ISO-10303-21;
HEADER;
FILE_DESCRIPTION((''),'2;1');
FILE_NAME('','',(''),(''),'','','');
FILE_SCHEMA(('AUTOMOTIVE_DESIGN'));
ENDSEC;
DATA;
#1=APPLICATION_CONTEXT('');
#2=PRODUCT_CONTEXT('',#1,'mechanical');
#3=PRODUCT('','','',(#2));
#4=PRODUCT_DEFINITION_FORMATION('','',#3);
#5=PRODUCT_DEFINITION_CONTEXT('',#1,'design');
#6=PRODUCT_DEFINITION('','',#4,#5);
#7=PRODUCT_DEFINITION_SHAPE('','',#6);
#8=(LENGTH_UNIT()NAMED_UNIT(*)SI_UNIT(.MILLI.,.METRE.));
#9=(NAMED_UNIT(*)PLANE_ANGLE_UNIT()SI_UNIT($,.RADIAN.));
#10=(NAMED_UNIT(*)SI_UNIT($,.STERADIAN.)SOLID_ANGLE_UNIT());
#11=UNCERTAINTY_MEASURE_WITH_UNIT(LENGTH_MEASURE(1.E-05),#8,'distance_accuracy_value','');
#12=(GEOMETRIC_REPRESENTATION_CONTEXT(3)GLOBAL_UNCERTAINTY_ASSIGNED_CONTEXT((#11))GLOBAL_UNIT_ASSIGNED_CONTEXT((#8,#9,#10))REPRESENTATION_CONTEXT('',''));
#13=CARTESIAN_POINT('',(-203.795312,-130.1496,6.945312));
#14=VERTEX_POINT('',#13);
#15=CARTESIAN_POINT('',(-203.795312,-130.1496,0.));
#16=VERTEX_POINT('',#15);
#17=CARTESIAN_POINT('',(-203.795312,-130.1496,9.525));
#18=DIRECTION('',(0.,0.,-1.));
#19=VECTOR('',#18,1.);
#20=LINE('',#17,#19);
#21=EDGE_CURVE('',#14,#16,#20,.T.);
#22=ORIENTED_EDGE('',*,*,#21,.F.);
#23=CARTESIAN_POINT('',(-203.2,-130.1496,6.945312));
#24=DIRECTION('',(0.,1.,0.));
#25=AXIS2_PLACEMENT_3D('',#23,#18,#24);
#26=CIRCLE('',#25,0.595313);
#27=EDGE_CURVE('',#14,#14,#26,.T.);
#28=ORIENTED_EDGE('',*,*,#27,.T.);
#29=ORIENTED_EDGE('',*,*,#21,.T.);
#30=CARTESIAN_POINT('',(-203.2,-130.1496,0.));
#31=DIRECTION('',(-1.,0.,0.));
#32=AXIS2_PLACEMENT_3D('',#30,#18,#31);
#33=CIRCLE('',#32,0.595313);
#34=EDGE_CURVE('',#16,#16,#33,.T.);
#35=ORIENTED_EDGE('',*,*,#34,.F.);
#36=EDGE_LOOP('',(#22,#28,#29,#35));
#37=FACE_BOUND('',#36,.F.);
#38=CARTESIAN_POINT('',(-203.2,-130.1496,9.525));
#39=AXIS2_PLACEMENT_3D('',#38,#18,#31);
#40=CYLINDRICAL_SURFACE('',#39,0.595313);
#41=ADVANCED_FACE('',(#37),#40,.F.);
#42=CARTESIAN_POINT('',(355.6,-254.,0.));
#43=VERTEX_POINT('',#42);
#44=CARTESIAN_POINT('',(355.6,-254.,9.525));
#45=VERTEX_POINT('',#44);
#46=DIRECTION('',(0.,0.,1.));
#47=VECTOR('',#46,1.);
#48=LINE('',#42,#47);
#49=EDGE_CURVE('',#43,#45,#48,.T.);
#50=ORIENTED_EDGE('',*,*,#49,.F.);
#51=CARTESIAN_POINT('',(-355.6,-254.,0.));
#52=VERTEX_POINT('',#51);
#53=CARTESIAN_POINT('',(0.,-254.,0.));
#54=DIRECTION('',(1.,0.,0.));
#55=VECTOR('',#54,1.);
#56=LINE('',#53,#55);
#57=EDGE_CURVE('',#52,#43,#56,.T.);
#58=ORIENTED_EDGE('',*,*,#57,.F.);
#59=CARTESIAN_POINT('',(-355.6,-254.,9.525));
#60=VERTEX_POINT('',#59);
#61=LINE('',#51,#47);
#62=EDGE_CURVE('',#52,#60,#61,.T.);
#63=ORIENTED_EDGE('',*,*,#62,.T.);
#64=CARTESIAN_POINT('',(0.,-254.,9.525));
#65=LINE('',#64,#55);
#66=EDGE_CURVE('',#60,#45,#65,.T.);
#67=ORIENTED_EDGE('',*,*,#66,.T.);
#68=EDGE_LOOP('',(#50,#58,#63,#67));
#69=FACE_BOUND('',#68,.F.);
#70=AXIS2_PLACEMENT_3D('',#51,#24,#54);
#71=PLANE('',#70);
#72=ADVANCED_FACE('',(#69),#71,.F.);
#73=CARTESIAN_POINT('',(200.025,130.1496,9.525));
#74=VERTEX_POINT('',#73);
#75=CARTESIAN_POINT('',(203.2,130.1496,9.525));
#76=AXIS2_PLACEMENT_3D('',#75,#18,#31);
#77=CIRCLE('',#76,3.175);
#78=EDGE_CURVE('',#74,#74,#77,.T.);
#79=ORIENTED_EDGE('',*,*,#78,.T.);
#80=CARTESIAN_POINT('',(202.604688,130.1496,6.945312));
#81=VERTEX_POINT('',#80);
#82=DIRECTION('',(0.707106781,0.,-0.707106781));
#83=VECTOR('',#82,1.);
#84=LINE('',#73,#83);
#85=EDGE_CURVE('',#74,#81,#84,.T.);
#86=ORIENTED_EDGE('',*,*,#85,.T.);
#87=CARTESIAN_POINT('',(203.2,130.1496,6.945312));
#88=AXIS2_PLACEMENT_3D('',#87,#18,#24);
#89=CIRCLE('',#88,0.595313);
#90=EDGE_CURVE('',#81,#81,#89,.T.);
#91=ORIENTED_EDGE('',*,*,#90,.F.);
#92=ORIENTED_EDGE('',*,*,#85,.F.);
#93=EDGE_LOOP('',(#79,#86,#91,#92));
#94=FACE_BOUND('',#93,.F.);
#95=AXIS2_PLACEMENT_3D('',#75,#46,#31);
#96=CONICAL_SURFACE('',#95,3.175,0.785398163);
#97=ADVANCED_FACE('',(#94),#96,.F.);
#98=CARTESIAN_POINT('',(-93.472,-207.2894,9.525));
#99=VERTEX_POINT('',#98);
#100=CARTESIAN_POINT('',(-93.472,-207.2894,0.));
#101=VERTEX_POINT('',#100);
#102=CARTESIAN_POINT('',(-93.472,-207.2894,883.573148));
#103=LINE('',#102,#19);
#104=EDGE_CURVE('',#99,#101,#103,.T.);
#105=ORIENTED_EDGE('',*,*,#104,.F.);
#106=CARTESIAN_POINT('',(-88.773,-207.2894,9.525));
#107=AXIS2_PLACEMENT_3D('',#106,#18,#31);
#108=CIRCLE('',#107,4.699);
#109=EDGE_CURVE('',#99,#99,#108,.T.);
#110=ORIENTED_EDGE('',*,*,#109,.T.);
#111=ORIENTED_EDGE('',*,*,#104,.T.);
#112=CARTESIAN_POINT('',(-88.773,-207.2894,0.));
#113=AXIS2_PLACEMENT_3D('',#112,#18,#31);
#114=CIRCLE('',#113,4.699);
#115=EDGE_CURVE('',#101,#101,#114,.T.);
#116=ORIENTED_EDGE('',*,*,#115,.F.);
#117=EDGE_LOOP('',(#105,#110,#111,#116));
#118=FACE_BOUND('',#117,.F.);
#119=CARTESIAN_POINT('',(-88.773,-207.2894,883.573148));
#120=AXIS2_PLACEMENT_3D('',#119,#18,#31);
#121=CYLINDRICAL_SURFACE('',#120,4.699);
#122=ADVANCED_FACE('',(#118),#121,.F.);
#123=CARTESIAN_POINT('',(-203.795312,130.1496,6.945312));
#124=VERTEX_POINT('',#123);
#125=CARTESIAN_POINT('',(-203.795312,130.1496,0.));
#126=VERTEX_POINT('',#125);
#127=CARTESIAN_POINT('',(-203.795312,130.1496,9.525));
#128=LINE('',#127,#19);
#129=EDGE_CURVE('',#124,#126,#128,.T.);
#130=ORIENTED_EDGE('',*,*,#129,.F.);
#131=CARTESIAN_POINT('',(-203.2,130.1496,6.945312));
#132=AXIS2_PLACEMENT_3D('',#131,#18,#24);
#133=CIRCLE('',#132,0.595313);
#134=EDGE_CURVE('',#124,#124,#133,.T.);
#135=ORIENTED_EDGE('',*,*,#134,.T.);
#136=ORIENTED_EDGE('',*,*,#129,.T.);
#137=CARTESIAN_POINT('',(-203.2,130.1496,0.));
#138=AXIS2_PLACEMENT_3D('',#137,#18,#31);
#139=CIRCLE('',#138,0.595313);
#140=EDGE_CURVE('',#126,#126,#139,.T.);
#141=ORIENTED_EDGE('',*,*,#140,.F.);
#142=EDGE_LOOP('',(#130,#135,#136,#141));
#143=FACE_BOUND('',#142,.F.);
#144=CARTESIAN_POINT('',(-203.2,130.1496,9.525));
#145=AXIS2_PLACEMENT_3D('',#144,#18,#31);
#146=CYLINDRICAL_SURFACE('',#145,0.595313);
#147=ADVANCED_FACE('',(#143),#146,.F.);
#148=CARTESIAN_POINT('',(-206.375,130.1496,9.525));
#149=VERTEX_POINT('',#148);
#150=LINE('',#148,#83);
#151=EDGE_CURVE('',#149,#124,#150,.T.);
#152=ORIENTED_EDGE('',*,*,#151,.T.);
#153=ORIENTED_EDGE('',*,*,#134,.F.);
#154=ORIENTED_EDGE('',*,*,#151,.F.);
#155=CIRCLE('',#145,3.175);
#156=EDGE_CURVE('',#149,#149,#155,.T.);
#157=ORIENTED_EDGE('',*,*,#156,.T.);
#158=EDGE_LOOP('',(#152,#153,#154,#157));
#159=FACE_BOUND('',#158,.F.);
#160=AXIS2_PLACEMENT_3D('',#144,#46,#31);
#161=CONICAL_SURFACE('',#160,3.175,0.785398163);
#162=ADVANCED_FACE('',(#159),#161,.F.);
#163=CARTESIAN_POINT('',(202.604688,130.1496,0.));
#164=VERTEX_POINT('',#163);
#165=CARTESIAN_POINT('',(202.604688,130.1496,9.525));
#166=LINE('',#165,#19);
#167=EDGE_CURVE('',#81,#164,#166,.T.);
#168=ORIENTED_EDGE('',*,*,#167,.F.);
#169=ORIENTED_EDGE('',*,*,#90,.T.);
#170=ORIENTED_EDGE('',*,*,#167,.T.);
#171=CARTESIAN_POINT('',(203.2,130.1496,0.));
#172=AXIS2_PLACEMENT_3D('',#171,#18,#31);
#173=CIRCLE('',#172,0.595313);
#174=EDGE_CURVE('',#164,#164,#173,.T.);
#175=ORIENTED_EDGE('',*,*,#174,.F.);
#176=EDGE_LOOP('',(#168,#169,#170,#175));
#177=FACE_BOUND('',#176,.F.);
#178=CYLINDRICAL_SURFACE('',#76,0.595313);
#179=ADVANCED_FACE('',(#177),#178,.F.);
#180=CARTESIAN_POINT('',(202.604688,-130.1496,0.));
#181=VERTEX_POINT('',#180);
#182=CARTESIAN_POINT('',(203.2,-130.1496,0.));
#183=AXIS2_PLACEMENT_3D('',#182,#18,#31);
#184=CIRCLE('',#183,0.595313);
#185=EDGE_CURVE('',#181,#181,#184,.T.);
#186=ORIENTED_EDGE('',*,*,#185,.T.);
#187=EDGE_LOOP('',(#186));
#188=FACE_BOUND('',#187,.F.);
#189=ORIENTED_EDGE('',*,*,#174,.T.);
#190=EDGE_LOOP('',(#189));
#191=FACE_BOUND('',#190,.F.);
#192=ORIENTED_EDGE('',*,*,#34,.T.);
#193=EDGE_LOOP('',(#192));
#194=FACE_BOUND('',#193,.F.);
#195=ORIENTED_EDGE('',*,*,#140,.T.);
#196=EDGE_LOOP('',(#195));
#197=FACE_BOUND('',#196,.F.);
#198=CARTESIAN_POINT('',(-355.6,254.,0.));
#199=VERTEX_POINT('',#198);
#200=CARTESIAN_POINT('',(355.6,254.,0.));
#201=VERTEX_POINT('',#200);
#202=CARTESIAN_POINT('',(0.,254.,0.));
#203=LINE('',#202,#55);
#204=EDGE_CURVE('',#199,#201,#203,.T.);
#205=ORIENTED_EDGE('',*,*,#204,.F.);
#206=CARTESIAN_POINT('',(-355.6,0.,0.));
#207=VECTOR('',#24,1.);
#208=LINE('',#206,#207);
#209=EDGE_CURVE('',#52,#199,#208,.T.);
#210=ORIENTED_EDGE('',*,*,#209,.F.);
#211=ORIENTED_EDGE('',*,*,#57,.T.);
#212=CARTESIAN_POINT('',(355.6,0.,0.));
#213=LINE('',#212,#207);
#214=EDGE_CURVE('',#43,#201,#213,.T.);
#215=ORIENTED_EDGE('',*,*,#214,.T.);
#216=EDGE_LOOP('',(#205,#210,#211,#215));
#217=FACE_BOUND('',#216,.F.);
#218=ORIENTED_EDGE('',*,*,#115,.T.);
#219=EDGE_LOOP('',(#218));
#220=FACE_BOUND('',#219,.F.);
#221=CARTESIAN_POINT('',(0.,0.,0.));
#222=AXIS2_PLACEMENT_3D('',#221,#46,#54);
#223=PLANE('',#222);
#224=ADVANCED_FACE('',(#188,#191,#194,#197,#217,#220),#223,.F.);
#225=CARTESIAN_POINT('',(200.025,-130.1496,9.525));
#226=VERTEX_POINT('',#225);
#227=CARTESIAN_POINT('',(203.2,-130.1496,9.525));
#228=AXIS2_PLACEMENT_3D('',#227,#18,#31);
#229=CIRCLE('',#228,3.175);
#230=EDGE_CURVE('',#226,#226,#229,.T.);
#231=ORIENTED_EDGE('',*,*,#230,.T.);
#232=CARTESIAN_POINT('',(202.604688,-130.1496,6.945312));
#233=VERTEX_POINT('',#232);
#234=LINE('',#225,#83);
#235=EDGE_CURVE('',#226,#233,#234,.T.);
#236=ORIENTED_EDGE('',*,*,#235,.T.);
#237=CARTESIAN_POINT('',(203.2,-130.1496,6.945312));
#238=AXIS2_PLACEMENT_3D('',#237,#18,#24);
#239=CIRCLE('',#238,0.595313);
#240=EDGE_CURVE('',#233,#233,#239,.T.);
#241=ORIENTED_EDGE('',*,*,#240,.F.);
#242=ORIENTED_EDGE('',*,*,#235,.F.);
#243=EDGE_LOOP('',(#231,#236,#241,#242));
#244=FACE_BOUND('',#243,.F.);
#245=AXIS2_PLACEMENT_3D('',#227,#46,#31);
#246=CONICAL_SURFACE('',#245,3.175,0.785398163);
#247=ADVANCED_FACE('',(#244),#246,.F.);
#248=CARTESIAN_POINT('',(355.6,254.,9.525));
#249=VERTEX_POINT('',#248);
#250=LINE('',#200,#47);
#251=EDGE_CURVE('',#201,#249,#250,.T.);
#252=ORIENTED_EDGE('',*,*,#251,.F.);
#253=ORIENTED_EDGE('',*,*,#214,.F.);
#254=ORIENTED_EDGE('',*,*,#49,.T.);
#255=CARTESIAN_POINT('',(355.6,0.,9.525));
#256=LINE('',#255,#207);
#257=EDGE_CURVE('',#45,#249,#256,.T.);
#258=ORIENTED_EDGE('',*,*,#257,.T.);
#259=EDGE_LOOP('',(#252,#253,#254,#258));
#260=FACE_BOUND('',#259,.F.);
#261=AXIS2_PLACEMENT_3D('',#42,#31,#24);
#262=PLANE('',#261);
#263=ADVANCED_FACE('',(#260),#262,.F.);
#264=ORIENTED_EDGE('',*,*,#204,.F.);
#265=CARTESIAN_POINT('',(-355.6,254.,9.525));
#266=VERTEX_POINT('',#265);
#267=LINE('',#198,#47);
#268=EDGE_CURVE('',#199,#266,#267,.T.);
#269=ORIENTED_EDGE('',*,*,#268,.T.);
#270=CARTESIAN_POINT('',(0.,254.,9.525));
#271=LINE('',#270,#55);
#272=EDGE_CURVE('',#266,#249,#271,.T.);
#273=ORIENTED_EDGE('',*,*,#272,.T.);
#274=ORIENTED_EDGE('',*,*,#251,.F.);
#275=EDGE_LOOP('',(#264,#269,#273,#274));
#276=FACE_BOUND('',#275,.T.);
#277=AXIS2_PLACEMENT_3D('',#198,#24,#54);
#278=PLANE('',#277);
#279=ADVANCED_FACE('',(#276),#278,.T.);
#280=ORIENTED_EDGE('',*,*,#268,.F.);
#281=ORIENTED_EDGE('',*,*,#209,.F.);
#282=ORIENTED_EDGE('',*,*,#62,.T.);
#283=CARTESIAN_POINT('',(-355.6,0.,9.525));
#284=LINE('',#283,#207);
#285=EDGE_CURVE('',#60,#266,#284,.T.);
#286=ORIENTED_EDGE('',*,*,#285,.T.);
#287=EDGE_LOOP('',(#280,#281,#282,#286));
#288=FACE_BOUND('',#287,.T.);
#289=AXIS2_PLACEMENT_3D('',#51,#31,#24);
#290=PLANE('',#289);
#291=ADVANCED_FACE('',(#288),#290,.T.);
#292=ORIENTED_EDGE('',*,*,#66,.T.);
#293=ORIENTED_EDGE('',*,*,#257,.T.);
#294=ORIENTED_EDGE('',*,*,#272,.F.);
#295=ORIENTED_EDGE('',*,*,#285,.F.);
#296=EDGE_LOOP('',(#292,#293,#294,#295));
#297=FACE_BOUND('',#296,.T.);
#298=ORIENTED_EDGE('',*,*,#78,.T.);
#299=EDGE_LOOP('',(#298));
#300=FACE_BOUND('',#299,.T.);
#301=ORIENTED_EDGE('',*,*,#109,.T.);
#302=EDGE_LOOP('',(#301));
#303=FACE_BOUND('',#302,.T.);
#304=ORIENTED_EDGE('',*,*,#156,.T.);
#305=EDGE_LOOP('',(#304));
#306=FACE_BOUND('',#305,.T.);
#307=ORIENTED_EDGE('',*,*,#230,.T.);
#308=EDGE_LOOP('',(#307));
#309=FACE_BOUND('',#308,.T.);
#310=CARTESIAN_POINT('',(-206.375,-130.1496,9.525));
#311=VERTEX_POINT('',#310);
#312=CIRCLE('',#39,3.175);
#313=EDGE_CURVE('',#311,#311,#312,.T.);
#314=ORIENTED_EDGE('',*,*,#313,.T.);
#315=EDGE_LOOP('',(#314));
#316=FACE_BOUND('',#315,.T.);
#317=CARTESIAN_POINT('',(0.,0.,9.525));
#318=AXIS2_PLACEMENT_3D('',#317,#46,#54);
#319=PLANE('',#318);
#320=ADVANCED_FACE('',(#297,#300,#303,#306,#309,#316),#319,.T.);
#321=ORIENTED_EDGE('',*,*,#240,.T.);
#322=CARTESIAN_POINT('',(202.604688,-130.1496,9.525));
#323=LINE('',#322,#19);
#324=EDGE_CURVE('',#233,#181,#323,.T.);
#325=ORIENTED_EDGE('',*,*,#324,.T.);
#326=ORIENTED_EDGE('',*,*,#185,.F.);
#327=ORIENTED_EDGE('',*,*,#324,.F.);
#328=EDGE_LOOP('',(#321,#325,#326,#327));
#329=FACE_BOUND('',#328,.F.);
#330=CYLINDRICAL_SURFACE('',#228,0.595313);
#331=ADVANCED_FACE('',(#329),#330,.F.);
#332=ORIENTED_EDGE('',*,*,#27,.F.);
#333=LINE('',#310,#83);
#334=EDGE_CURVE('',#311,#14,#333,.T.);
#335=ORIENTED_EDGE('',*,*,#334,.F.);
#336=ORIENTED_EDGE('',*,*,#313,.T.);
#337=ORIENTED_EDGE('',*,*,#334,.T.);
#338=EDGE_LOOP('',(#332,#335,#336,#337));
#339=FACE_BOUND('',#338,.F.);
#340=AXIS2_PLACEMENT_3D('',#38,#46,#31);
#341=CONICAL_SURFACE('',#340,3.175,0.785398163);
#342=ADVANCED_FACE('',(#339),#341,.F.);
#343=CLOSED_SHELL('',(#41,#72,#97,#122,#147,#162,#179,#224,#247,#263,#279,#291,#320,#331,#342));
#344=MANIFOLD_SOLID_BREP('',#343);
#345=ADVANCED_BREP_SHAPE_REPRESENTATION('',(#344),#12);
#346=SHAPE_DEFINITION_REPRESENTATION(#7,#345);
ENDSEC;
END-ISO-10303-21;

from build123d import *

# Parameters (mm, degrees)
F0_W           = 711.2
F0_H           = 508
F1_DEPTH       = 9.525
F3_D           = 1.190625
F3_CSINK_D     = 6.35
F3_CSINK_ANGLE = 90
F5_D           = 9.398


with BuildPart() as f1:
    # F0 (on Top) → F1 (new body)
    with BuildSketch(Plane.XY):
        Rectangle(F0_W, F0_H)
    extrude(amount=F1_DEPTH)

    # F3 (through all)
    with Locations(Plane.XY.offset(9.525)):
        with Locations((-203.2, 130.1496), (-203.2, -130.1496), (203.2, 130.1496), (203.2, -130.1496)):
            CounterSinkHole(F3_D / 2, F3_CSINK_D / 2, counter_sink_angle=F3_CSINK_ANGLE)

    # F5 (through all)
    with Locations(Plane.XY.offset(9.525)):
        with Locations((-88.773, -207.2894)):
            Hole(F5_D / 2)


solid = f1.part
